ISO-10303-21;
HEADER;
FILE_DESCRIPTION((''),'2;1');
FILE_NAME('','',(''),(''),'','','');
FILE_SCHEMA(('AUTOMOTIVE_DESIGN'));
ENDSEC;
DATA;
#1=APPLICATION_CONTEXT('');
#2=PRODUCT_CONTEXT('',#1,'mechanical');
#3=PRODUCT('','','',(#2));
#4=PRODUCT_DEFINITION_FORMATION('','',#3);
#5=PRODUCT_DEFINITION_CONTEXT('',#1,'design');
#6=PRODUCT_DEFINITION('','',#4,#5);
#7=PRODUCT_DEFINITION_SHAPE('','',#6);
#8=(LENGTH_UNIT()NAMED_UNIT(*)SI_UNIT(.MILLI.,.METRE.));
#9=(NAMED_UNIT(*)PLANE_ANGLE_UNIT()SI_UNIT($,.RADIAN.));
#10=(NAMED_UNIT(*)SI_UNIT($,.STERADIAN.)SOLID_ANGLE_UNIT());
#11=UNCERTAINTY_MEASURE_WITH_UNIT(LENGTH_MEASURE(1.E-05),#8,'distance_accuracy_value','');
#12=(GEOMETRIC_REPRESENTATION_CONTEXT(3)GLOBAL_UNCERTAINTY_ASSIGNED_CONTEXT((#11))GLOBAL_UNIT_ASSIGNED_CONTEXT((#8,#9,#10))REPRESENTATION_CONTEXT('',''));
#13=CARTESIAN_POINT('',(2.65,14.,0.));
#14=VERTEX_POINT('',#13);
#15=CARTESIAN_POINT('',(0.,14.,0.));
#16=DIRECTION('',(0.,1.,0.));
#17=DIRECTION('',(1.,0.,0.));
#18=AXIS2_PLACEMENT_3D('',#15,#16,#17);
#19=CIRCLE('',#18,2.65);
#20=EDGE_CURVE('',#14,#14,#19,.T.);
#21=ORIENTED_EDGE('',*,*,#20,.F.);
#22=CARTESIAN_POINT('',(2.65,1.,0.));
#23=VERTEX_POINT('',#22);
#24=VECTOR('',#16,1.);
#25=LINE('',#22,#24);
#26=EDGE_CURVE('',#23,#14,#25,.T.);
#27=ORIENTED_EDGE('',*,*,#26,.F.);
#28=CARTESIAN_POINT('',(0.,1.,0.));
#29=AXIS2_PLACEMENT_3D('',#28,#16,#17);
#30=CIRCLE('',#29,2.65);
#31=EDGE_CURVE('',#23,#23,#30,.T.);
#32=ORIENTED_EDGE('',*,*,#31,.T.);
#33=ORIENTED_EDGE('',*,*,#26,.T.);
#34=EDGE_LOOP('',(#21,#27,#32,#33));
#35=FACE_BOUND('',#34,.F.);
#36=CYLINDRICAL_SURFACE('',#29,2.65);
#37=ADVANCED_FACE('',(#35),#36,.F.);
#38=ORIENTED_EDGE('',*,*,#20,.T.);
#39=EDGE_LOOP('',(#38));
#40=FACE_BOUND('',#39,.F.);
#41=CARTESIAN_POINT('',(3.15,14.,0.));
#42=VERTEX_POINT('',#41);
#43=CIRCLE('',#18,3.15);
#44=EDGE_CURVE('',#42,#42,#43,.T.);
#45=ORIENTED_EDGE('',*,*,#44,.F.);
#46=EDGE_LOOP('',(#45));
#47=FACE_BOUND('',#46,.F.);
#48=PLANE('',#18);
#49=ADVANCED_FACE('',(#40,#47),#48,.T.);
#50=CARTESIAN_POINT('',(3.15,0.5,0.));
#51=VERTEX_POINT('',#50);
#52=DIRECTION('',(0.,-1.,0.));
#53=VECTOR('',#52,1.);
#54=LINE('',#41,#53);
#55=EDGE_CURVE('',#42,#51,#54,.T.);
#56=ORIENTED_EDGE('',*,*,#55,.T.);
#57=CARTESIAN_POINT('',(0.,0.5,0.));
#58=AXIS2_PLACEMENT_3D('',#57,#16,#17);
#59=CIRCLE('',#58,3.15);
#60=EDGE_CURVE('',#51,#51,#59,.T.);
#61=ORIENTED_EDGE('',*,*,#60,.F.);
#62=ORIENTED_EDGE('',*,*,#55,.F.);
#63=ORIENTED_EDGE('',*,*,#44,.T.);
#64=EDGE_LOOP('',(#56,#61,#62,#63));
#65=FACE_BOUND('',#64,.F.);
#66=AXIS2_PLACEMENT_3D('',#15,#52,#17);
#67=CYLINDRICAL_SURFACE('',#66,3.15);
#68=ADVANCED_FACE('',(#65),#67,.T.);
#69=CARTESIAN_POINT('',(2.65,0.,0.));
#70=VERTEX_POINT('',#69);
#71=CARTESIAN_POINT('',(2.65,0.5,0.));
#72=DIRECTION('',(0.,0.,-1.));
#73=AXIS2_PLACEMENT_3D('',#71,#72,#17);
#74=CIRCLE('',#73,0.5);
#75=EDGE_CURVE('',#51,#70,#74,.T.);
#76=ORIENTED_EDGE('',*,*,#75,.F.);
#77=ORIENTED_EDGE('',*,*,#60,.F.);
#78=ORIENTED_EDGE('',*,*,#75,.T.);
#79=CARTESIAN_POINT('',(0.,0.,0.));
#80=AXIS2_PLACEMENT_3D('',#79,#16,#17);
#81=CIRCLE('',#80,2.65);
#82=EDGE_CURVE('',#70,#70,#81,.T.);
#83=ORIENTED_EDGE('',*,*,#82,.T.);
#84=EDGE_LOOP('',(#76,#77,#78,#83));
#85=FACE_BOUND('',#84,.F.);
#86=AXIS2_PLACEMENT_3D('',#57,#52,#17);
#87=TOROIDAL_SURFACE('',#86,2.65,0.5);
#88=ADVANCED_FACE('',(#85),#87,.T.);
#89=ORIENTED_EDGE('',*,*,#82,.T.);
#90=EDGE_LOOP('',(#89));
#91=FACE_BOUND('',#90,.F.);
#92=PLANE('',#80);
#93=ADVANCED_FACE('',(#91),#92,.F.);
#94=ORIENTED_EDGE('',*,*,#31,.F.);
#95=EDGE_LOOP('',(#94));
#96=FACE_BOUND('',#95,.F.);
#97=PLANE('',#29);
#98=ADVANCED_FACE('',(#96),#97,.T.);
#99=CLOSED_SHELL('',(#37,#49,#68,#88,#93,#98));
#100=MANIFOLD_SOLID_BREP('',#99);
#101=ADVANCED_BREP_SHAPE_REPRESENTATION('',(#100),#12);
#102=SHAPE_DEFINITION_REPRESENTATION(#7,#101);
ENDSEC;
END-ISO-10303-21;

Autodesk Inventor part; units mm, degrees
ref_plane "YZ Plane" through (0, 0, 0) normal (1, 0, 0) x (0, 1, 0)
ref_plane "XZ Plane" through (0, 0, 0) normal (0, 1, 0) x (-1, 0, 0)
ref_plane "XY Plane" through (0, 0, 0) normal (0, 0, 1) x (1, 0, 0)
sketch "Sketch1" plane through (0, 0, 0) normal (0, 0, 1) x (1, 0, 0)
  line L0 (0, 0) -> (0, 14)
  line L1 (0, 0) -> (0, 1)
  line L2 (0, 1) -> (2.65, 1)
  line L3 (2.65, 1) -> (2.65, 14)
  line L4 (2.65, 14) -> (3.15, 14)
  line L5 (3.15, 14) -> (3.15, 0)
  line L6 (3.15, 0) -> (0, 0)
  dimension "d0" = 5.3
  dimension "d1" = 6.3
  dimension "d2" = 13
  dimension "d3" = 14
revolve "Revolution1" add sketch "Sketch1" angle 360 about axis through (0, 0, 0) along (0, 1, 0)
fillet "Fillet1" radius 0.5 1 edges at (-3.15, 0, 0)
properties part number "PP-15" material "Steel"
